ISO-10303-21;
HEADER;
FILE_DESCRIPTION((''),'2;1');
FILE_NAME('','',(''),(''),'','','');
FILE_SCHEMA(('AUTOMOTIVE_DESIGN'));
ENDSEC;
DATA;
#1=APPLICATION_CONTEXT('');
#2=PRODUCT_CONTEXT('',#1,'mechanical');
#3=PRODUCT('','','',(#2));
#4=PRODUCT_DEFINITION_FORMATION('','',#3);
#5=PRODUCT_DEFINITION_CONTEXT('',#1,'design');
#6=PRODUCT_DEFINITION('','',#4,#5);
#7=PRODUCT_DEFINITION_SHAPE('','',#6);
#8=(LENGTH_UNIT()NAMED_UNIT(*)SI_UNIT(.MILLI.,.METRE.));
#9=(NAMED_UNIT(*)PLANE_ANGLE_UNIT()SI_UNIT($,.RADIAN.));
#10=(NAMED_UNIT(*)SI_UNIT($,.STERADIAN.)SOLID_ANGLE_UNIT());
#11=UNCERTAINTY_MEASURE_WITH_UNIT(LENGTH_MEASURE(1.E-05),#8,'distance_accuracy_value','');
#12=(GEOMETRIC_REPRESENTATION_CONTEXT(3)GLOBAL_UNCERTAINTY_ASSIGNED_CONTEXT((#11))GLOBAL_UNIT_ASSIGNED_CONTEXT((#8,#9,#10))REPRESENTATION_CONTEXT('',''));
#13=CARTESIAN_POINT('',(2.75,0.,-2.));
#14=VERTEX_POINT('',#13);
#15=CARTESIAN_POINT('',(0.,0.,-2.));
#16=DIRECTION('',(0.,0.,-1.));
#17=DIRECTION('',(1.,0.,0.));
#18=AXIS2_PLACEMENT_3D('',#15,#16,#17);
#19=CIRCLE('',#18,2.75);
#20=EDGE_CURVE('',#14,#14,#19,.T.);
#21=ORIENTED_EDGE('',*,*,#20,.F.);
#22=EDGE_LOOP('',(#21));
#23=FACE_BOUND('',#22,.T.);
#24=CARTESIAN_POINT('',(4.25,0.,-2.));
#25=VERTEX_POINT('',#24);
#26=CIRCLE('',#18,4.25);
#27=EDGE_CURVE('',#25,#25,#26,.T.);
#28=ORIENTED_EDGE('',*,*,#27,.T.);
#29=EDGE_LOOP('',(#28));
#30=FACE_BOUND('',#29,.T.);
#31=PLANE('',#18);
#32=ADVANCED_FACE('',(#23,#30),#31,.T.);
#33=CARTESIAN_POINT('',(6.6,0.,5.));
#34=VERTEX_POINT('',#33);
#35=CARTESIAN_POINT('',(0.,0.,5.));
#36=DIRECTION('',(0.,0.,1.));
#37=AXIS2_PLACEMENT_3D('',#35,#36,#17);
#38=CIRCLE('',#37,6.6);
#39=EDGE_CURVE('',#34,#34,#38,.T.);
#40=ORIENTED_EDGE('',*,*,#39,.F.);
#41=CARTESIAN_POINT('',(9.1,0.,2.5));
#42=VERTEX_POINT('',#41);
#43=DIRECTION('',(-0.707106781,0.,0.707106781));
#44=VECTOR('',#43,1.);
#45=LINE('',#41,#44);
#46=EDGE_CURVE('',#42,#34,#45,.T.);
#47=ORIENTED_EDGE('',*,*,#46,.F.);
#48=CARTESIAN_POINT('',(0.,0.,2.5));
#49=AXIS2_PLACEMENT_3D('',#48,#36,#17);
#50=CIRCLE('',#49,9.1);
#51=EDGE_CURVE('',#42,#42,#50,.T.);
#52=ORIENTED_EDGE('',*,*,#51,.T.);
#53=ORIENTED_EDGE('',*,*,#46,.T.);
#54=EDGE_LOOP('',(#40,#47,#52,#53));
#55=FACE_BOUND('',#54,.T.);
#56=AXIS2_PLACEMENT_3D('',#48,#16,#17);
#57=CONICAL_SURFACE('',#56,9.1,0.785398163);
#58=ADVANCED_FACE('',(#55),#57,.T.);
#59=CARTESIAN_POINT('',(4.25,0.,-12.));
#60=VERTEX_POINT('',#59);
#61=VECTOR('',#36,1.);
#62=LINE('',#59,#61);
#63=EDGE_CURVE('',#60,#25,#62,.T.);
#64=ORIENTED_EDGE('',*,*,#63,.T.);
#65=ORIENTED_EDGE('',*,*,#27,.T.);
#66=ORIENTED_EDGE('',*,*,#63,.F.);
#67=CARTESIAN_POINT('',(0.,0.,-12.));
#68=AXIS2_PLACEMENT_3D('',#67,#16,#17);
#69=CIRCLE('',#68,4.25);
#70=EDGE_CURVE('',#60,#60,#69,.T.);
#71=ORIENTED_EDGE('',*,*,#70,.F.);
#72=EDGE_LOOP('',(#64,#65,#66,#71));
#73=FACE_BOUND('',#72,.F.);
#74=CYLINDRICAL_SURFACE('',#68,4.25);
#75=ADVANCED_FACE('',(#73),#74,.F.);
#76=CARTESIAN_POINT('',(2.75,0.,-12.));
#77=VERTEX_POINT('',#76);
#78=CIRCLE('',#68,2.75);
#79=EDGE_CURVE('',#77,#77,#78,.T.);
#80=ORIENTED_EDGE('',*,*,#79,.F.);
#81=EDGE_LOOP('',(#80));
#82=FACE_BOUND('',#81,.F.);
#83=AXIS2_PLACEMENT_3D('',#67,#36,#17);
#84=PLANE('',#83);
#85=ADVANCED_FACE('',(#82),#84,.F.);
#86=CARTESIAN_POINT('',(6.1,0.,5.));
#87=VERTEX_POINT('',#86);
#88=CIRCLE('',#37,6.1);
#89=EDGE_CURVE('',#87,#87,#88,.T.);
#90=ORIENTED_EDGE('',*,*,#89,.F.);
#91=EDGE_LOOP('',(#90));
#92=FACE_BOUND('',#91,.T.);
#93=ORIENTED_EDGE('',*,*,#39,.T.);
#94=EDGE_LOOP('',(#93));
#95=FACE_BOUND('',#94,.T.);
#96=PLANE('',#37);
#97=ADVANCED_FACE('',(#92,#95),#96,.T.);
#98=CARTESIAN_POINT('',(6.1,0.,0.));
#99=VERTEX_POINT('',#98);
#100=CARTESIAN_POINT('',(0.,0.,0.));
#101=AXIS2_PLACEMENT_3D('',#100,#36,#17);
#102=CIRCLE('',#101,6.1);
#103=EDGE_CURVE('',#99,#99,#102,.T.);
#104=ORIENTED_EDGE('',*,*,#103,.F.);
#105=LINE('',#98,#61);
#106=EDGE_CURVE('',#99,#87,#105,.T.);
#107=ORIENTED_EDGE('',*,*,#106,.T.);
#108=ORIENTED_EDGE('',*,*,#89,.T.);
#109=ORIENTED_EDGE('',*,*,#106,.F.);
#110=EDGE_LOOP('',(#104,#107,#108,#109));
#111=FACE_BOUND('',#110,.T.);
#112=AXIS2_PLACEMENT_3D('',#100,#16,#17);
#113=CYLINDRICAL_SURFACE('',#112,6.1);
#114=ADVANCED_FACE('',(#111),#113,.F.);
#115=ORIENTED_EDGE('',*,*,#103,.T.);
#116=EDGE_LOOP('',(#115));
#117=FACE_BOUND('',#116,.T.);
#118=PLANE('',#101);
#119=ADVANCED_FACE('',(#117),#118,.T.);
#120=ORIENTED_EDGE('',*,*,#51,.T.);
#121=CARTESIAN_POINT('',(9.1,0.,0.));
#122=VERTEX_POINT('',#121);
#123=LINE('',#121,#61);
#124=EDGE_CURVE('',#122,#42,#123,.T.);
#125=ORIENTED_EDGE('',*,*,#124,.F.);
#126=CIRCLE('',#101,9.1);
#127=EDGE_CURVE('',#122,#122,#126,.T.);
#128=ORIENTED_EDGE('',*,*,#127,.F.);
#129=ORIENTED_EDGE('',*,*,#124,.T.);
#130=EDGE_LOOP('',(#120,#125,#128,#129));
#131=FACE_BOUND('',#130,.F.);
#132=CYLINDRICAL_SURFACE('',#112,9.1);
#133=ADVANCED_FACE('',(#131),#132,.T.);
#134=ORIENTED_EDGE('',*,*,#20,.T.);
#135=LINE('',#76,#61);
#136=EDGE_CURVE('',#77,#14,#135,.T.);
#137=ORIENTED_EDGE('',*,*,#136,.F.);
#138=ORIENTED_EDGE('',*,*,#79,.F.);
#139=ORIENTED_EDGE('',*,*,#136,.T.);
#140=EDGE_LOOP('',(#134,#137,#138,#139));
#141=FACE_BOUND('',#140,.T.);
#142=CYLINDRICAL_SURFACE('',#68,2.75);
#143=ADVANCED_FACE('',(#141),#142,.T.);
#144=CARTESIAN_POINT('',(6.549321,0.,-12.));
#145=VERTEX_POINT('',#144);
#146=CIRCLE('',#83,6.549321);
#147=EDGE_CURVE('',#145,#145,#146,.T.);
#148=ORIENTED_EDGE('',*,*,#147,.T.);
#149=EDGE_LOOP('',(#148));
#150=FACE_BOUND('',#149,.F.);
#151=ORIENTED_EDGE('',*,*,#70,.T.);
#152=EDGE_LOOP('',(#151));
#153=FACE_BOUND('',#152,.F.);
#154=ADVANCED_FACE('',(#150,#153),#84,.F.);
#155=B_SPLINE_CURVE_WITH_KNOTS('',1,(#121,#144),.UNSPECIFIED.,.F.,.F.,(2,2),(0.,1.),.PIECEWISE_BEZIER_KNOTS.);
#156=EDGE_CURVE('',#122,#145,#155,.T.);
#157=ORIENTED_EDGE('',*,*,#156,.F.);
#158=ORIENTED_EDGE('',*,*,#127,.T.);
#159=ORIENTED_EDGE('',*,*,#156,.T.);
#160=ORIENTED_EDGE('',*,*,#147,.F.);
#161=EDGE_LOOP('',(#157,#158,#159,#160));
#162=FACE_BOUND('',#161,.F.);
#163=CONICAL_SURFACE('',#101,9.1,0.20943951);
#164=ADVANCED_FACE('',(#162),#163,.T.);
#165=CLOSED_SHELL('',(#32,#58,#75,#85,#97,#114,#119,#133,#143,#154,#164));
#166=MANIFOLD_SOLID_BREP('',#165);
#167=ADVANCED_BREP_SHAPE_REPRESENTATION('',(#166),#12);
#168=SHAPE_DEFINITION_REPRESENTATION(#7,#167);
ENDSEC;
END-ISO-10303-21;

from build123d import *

# Parameters (mm, degrees)
F1_R     = 9.1
F1_R_2   = 6.1
F2_DEPTH = 5
F3_DEPTH = 12
F3_TAPER = 12
F4_R     = 4.25
F4_R_2   = 2.75
F5_DEPTH = 10
F6_SIZE  = 2.5


with BuildPart() as f2:
    # F1 (on Top) → F2 (new body)
    with BuildSketch(Plane.XY):
        Circle(F1_R)
        Circle(F1_R_2, mode=Mode.SUBTRACT)
    extrude(amount=F2_DEPTH)

    # F1 (on Top) → F3 (join)
    with BuildSketch(Plane.XY):
        Circle(F1_R)
        Circle(F1_R_2, mode=Mode.SUBTRACT)
        Circle(F1_R_2)
    extrude(amount=-F3_DEPTH, taper=F3_TAPER)

    # F4 (on face) → F5 (cut)
    with BuildSketch(Plane(origin=(0, 0, -12), x_dir=(1, 0, 0), z_dir=(0, 0, -1))):
        Circle(F4_R)
        Circle(F4_R_2, mode=Mode.SUBTRACT)
    extrude(amount=-F5_DEPTH, mode=Mode.SUBTRACT)

    # F6
    f6_edges = [f2.edges().sort_by_distance(p)[0] for p in [
        (-9.1, 0, 5),
    ]]
    chamfer(f6_edges, length=F6_SIZE)


solid = f2.part
